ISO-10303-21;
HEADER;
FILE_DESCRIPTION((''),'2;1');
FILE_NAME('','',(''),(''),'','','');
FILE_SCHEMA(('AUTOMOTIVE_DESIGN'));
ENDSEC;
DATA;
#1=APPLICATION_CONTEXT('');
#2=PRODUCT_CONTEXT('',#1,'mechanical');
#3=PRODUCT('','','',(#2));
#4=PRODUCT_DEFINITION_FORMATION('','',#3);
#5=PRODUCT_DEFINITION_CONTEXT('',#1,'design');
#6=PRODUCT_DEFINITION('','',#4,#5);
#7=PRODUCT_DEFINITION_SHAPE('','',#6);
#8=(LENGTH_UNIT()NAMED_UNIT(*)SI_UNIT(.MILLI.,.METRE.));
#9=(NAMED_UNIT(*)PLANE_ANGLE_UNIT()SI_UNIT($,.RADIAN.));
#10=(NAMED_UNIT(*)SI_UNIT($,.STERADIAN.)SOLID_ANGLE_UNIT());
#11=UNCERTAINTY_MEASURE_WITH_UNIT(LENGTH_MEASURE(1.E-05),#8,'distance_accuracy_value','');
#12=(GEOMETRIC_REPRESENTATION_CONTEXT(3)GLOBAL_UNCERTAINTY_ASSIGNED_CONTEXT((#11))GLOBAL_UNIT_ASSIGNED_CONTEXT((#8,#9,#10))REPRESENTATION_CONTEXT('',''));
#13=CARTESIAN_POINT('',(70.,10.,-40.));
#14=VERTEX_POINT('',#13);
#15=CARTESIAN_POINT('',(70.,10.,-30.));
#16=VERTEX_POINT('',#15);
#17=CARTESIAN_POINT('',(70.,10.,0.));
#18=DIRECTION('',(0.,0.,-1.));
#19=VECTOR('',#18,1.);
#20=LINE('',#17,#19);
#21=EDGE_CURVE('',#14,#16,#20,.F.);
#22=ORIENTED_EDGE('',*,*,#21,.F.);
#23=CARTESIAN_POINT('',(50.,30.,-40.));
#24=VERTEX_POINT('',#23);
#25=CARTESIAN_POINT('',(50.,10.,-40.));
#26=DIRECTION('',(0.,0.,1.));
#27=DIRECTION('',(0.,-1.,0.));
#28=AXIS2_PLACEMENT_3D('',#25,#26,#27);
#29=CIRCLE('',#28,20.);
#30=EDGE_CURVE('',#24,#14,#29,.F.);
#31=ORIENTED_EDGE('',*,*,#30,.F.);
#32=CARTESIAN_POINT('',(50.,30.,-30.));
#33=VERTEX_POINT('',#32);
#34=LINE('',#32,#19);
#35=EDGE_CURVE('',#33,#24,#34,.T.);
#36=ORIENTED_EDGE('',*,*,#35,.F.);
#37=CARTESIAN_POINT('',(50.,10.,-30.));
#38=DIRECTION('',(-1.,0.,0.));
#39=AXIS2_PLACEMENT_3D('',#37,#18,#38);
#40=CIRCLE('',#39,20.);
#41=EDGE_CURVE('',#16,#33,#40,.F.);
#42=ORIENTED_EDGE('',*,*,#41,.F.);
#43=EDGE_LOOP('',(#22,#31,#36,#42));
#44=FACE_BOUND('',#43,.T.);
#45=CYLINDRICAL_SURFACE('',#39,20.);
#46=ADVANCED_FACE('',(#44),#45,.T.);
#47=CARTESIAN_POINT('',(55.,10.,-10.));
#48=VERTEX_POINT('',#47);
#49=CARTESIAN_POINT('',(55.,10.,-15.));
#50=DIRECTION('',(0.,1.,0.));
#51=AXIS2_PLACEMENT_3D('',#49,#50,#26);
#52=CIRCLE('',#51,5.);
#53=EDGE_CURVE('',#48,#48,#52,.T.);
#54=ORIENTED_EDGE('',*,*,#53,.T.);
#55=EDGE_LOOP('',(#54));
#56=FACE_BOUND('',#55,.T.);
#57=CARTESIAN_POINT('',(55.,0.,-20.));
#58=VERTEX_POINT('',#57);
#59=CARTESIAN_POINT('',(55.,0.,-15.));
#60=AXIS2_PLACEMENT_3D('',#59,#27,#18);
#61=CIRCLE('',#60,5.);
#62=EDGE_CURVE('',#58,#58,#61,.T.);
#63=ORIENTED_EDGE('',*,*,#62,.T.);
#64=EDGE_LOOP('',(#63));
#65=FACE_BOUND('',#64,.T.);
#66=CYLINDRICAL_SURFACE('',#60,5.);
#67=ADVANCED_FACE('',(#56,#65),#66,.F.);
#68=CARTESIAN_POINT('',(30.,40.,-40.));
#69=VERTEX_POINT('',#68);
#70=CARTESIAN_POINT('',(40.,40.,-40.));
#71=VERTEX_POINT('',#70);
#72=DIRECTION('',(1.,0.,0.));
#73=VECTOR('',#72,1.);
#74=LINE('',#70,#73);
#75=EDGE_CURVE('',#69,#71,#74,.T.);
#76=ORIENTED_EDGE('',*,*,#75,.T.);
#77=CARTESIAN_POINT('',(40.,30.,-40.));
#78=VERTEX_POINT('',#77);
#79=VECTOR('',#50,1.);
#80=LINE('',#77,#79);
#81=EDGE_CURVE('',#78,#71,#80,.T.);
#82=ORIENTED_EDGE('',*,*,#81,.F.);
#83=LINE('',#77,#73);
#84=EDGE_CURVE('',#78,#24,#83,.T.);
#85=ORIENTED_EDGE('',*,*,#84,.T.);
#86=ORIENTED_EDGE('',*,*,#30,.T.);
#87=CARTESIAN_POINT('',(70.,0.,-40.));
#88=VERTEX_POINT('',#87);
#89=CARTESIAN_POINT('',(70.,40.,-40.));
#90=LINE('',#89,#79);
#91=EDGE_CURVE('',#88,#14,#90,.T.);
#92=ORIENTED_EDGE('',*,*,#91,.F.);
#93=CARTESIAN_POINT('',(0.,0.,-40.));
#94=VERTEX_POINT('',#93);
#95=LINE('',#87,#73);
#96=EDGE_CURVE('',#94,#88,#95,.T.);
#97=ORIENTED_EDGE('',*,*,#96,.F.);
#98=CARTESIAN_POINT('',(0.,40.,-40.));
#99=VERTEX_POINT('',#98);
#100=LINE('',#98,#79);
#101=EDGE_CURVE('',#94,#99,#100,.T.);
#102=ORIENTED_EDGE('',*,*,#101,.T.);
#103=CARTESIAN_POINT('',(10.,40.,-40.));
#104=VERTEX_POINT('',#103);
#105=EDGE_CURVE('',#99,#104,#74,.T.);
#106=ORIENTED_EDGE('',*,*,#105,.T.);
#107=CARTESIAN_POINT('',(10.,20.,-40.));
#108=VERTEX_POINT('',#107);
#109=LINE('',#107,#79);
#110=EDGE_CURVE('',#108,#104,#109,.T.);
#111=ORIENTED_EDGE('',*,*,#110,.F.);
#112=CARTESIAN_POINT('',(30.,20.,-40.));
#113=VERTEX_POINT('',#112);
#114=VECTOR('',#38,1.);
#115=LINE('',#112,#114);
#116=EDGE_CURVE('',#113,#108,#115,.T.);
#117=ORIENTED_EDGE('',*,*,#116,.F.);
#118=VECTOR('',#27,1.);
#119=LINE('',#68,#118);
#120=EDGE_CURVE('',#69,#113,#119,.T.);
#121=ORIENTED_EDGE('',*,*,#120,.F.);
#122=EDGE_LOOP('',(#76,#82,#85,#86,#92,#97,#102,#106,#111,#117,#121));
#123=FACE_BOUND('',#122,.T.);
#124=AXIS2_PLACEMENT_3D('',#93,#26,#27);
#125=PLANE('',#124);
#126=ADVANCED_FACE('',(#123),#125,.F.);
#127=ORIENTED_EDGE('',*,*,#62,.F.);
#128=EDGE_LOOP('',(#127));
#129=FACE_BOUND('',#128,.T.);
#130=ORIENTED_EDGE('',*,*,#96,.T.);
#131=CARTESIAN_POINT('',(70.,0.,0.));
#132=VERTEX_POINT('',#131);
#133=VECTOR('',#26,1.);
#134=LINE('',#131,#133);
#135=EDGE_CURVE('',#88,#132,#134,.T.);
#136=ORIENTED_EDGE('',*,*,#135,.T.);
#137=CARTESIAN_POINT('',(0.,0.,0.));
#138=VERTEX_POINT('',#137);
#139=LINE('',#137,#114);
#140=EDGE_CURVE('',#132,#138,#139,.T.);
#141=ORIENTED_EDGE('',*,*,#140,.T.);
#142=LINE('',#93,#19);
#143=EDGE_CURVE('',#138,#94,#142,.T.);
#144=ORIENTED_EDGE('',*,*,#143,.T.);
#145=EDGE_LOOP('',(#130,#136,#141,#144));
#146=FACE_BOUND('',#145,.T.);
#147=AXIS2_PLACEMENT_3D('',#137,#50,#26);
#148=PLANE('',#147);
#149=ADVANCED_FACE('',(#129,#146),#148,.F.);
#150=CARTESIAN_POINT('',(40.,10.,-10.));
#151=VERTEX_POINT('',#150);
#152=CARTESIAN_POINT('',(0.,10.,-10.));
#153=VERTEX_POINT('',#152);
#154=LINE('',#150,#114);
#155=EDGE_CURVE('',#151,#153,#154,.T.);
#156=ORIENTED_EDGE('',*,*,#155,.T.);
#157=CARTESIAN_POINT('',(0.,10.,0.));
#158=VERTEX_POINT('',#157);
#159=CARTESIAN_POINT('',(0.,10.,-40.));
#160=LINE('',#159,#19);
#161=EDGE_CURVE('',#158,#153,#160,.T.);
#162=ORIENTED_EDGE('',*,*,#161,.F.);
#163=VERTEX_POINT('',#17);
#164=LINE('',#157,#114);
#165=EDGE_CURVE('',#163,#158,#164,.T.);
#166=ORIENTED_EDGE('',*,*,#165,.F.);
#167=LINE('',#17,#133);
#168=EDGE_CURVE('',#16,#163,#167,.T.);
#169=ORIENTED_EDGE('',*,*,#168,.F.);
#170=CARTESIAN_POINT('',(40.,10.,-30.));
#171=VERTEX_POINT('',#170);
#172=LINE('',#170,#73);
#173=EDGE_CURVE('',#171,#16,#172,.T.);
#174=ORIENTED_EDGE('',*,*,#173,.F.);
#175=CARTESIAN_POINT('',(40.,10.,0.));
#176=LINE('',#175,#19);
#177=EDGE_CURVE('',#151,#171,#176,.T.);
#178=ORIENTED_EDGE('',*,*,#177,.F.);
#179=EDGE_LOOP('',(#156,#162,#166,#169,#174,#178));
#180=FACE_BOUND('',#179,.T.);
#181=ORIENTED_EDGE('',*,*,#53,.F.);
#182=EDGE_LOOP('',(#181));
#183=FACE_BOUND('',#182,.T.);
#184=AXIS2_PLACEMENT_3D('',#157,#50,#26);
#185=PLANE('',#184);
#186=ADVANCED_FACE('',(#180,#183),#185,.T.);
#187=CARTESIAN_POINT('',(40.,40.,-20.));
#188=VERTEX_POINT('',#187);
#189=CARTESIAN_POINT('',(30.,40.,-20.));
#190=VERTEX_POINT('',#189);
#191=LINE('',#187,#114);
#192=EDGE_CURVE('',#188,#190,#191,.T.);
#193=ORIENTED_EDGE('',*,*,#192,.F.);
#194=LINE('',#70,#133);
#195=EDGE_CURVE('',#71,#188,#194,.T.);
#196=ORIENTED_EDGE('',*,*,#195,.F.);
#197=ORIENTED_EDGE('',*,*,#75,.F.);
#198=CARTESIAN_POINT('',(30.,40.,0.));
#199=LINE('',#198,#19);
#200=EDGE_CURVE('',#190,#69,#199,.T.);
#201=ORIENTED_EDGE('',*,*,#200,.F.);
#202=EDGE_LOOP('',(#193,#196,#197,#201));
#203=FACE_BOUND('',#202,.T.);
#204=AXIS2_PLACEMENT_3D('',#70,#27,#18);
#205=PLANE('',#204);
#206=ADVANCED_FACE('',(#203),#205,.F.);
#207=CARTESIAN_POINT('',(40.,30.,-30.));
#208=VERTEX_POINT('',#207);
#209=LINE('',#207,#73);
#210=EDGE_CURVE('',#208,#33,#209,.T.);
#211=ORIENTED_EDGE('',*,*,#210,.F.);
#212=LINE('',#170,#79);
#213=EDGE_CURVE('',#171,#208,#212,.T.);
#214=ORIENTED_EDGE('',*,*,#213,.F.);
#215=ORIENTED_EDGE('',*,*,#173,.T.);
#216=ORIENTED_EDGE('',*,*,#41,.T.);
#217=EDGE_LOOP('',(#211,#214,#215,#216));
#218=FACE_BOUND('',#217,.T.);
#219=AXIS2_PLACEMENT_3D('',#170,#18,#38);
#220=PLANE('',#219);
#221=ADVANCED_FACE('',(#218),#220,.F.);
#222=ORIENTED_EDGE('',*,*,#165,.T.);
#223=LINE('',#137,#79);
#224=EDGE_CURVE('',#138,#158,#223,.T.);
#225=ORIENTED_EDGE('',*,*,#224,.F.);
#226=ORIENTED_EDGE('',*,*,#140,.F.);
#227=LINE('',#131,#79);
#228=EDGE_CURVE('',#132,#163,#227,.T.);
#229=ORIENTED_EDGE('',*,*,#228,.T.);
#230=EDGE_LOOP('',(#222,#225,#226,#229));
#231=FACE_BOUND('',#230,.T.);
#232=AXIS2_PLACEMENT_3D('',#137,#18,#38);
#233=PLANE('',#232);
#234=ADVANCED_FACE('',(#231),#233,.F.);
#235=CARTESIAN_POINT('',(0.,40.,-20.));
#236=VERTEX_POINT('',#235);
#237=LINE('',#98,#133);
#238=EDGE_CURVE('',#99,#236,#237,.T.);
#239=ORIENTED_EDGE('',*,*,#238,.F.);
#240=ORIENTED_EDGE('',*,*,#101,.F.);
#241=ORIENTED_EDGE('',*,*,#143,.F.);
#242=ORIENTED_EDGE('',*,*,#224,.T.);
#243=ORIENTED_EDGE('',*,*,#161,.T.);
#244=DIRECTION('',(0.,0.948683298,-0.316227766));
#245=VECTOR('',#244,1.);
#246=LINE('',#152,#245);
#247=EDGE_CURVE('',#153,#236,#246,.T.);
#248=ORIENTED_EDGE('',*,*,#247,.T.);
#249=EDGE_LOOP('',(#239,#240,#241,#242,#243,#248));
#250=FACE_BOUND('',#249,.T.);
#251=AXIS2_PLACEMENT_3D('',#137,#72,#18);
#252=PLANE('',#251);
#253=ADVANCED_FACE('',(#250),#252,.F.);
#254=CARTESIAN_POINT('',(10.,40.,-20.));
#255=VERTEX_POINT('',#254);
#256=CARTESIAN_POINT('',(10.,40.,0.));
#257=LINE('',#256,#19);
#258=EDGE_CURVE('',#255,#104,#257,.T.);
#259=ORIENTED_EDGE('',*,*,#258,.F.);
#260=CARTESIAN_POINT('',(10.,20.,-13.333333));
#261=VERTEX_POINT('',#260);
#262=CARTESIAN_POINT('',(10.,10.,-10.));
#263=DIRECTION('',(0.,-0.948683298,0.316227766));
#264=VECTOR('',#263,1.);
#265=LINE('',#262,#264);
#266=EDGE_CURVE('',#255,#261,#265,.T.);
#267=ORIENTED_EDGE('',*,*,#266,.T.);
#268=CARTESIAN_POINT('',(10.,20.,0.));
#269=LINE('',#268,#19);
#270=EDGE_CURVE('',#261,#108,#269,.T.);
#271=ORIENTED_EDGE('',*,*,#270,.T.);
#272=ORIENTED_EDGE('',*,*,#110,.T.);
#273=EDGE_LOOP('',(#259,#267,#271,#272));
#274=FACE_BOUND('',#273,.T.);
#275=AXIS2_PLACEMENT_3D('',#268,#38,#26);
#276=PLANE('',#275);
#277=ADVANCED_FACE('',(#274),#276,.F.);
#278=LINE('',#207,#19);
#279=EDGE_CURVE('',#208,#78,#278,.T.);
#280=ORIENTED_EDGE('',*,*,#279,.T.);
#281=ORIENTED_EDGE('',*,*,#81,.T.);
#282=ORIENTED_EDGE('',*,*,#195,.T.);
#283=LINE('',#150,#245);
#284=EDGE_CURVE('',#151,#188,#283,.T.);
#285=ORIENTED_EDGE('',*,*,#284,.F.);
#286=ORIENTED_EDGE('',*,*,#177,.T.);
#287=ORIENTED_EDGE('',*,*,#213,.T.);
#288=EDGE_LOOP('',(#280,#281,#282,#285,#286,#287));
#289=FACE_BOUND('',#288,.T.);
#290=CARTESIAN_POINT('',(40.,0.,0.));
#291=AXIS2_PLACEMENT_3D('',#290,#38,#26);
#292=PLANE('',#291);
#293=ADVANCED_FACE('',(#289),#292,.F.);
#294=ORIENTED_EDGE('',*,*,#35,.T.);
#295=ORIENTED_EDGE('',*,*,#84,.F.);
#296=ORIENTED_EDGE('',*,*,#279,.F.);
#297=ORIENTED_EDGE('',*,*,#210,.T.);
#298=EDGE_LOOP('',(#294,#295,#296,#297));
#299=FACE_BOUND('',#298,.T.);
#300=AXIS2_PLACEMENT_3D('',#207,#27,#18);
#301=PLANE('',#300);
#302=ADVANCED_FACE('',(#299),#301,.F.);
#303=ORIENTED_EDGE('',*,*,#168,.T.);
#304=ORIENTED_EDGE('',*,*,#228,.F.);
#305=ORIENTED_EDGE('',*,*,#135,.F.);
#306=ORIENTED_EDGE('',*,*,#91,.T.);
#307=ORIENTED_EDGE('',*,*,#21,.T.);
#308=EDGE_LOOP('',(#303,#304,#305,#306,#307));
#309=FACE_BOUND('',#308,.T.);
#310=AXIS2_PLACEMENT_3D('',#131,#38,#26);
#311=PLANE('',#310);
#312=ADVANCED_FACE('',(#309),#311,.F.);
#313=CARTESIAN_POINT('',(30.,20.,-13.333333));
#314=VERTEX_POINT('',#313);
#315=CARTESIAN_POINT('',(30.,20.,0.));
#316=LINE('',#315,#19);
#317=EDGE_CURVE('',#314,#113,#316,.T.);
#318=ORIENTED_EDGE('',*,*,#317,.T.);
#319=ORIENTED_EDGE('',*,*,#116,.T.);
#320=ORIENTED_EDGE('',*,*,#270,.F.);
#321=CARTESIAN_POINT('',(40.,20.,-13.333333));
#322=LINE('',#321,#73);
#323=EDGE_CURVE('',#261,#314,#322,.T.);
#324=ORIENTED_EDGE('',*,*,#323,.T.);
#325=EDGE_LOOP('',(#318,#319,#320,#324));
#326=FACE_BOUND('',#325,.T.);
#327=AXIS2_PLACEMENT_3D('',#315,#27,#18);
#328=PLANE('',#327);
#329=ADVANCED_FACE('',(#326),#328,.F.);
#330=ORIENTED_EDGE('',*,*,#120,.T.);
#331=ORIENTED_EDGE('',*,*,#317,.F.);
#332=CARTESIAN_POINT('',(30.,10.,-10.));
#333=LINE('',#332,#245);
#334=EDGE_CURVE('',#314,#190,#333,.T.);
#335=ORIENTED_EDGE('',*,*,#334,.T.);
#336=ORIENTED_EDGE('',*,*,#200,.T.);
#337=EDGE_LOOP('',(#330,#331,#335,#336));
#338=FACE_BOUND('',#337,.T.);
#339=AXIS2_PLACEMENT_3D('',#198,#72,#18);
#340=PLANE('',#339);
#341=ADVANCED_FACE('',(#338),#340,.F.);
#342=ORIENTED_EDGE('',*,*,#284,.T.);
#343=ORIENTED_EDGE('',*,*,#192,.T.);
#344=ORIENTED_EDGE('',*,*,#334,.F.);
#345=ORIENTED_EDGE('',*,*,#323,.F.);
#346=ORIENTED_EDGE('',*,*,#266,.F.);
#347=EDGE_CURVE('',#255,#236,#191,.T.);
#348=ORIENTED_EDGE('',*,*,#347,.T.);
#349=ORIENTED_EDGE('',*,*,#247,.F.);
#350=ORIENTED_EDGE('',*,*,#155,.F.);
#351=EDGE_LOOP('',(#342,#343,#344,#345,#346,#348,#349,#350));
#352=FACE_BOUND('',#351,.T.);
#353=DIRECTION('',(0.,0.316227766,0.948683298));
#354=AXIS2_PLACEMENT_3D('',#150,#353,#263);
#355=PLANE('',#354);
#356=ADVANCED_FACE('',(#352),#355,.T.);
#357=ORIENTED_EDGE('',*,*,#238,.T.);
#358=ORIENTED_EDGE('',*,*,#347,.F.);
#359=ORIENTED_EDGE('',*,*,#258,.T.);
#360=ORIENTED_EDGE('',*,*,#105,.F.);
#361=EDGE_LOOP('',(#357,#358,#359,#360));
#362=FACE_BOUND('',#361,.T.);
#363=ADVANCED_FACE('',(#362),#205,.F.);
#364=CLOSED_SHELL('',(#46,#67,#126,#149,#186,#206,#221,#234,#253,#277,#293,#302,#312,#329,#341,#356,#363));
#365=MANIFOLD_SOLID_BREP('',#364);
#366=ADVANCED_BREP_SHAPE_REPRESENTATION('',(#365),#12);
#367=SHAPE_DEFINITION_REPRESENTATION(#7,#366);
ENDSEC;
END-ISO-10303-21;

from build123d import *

# Parameters (mm, degrees)
BOSS_EXTRUDE1_DEPTH            = 40
SKETCH2_W                      = 40
SKETCH2_H                      = 30
BOSS_EXTRUDE2_DEPTH            = 20
BOSS_EXTRUDE3_DEPTH            = 30
CUT_EXTRUDE1_DEPTH             = 30
SKETCH5_W                      = 70
SKETCH5_H                      = 40
BOSS_EXTRUDE4_DEPTH            = 10
SKETCH6_W                      = 20
SKETCH6_H                      = 20
CUT_EXTRUDE2_DEPTH             = 41
F_10_0_10_DIAMETER_HOLE1_D     = 10
F_10_0_10_DIAMETER_HOLE1_DEPTH = 40
FILLET1_R                      = 20


with BuildPart() as part:
    # Sketch1 → Boss-Extrude1 (new body)
    with BuildSketch(Plane(origin=(0, 0, 0), x_dir=(0, -1, 0), z_dir=(-1, 0, 0))):
        Polygon((-10, -10), (-40, -20), (-10, -20), align=None)
    extrude(amount=-BOSS_EXTRUDE1_DEPTH)

    # Sketch2 → Boss-Extrude2 (add)
    with BuildSketch(Plane(origin=(0, 0, -20), x_dir=(-1, 0, 0), z_dir=(0, 0, -1))):
        with Locations((-20, 25)):
            Rectangle(SKETCH2_W, SKETCH2_H)
    extrude(amount=BOSS_EXTRUDE2_DEPTH)

    # Sketch3 → Boss-Extrude3 (add)
    with BuildSketch(Plane(origin=(40, 0, 0), x_dir=(0, 0, -1), z_dir=(1, 0, 0))):
        Polygon((40, 10), (0, 10), (20, 40), (40, 40), align=None)
    extrude(amount=BOSS_EXTRUDE3_DEPTH)

    # Sketch4 → Cut-Extrude1 (cut)
    with BuildSketch(Plane(origin=(70, 0, 0), x_dir=(0, 0, -1), z_dir=(1, 0, 0))):
        Polygon((20, 40), (0, 10), (30, 10), (30, 30), (40, 30), (40, 40), align=None)
    extrude(amount=-CUT_EXTRUDE1_DEPTH, mode=Mode.SUBTRACT)

    # Sketch5 → Boss-Extrude4 (add)
    with BuildSketch(Plane.XZ.offset(-10)):
        with Locations((35, -20)):
            Rectangle(SKETCH5_W, SKETCH5_H)
    extrude(amount=BOSS_EXTRUDE4_DEPTH)

    # Sketch6 → Cut-Extrude2 (cut, through all)
    with BuildSketch(Plane(origin=(0, 0, -40), x_dir=(-1, 0, 0), z_dir=(0, 0, -1))):
        with Locations((-20, 30)):
            Rectangle(SKETCH6_W, SKETCH6_H)
    extrude(amount=-CUT_EXTRUDE2_DEPTH, mode=Mode.SUBTRACT)

    # Ø10.0 (10) Diameter Hole1
    with Locations(Plane(origin=(0, 0, 0), x_dir=(-1, 0, 0), z_dir=(0, -1, 0))):
        with Locations((-55, 15)):
            Hole(F_10_0_10_DIAMETER_HOLE1_D / 2, depth=F_10_0_10_DIAMETER_HOLE1_DEPTH)

    # Fillet1
    fillet1_edges = [part.edges().sort_by_distance(p)[0] for p in [
        (70, 30, -35),
    ]]
    fillet(fillet1_edges, radius=FILLET1_R)


solid = part.part
